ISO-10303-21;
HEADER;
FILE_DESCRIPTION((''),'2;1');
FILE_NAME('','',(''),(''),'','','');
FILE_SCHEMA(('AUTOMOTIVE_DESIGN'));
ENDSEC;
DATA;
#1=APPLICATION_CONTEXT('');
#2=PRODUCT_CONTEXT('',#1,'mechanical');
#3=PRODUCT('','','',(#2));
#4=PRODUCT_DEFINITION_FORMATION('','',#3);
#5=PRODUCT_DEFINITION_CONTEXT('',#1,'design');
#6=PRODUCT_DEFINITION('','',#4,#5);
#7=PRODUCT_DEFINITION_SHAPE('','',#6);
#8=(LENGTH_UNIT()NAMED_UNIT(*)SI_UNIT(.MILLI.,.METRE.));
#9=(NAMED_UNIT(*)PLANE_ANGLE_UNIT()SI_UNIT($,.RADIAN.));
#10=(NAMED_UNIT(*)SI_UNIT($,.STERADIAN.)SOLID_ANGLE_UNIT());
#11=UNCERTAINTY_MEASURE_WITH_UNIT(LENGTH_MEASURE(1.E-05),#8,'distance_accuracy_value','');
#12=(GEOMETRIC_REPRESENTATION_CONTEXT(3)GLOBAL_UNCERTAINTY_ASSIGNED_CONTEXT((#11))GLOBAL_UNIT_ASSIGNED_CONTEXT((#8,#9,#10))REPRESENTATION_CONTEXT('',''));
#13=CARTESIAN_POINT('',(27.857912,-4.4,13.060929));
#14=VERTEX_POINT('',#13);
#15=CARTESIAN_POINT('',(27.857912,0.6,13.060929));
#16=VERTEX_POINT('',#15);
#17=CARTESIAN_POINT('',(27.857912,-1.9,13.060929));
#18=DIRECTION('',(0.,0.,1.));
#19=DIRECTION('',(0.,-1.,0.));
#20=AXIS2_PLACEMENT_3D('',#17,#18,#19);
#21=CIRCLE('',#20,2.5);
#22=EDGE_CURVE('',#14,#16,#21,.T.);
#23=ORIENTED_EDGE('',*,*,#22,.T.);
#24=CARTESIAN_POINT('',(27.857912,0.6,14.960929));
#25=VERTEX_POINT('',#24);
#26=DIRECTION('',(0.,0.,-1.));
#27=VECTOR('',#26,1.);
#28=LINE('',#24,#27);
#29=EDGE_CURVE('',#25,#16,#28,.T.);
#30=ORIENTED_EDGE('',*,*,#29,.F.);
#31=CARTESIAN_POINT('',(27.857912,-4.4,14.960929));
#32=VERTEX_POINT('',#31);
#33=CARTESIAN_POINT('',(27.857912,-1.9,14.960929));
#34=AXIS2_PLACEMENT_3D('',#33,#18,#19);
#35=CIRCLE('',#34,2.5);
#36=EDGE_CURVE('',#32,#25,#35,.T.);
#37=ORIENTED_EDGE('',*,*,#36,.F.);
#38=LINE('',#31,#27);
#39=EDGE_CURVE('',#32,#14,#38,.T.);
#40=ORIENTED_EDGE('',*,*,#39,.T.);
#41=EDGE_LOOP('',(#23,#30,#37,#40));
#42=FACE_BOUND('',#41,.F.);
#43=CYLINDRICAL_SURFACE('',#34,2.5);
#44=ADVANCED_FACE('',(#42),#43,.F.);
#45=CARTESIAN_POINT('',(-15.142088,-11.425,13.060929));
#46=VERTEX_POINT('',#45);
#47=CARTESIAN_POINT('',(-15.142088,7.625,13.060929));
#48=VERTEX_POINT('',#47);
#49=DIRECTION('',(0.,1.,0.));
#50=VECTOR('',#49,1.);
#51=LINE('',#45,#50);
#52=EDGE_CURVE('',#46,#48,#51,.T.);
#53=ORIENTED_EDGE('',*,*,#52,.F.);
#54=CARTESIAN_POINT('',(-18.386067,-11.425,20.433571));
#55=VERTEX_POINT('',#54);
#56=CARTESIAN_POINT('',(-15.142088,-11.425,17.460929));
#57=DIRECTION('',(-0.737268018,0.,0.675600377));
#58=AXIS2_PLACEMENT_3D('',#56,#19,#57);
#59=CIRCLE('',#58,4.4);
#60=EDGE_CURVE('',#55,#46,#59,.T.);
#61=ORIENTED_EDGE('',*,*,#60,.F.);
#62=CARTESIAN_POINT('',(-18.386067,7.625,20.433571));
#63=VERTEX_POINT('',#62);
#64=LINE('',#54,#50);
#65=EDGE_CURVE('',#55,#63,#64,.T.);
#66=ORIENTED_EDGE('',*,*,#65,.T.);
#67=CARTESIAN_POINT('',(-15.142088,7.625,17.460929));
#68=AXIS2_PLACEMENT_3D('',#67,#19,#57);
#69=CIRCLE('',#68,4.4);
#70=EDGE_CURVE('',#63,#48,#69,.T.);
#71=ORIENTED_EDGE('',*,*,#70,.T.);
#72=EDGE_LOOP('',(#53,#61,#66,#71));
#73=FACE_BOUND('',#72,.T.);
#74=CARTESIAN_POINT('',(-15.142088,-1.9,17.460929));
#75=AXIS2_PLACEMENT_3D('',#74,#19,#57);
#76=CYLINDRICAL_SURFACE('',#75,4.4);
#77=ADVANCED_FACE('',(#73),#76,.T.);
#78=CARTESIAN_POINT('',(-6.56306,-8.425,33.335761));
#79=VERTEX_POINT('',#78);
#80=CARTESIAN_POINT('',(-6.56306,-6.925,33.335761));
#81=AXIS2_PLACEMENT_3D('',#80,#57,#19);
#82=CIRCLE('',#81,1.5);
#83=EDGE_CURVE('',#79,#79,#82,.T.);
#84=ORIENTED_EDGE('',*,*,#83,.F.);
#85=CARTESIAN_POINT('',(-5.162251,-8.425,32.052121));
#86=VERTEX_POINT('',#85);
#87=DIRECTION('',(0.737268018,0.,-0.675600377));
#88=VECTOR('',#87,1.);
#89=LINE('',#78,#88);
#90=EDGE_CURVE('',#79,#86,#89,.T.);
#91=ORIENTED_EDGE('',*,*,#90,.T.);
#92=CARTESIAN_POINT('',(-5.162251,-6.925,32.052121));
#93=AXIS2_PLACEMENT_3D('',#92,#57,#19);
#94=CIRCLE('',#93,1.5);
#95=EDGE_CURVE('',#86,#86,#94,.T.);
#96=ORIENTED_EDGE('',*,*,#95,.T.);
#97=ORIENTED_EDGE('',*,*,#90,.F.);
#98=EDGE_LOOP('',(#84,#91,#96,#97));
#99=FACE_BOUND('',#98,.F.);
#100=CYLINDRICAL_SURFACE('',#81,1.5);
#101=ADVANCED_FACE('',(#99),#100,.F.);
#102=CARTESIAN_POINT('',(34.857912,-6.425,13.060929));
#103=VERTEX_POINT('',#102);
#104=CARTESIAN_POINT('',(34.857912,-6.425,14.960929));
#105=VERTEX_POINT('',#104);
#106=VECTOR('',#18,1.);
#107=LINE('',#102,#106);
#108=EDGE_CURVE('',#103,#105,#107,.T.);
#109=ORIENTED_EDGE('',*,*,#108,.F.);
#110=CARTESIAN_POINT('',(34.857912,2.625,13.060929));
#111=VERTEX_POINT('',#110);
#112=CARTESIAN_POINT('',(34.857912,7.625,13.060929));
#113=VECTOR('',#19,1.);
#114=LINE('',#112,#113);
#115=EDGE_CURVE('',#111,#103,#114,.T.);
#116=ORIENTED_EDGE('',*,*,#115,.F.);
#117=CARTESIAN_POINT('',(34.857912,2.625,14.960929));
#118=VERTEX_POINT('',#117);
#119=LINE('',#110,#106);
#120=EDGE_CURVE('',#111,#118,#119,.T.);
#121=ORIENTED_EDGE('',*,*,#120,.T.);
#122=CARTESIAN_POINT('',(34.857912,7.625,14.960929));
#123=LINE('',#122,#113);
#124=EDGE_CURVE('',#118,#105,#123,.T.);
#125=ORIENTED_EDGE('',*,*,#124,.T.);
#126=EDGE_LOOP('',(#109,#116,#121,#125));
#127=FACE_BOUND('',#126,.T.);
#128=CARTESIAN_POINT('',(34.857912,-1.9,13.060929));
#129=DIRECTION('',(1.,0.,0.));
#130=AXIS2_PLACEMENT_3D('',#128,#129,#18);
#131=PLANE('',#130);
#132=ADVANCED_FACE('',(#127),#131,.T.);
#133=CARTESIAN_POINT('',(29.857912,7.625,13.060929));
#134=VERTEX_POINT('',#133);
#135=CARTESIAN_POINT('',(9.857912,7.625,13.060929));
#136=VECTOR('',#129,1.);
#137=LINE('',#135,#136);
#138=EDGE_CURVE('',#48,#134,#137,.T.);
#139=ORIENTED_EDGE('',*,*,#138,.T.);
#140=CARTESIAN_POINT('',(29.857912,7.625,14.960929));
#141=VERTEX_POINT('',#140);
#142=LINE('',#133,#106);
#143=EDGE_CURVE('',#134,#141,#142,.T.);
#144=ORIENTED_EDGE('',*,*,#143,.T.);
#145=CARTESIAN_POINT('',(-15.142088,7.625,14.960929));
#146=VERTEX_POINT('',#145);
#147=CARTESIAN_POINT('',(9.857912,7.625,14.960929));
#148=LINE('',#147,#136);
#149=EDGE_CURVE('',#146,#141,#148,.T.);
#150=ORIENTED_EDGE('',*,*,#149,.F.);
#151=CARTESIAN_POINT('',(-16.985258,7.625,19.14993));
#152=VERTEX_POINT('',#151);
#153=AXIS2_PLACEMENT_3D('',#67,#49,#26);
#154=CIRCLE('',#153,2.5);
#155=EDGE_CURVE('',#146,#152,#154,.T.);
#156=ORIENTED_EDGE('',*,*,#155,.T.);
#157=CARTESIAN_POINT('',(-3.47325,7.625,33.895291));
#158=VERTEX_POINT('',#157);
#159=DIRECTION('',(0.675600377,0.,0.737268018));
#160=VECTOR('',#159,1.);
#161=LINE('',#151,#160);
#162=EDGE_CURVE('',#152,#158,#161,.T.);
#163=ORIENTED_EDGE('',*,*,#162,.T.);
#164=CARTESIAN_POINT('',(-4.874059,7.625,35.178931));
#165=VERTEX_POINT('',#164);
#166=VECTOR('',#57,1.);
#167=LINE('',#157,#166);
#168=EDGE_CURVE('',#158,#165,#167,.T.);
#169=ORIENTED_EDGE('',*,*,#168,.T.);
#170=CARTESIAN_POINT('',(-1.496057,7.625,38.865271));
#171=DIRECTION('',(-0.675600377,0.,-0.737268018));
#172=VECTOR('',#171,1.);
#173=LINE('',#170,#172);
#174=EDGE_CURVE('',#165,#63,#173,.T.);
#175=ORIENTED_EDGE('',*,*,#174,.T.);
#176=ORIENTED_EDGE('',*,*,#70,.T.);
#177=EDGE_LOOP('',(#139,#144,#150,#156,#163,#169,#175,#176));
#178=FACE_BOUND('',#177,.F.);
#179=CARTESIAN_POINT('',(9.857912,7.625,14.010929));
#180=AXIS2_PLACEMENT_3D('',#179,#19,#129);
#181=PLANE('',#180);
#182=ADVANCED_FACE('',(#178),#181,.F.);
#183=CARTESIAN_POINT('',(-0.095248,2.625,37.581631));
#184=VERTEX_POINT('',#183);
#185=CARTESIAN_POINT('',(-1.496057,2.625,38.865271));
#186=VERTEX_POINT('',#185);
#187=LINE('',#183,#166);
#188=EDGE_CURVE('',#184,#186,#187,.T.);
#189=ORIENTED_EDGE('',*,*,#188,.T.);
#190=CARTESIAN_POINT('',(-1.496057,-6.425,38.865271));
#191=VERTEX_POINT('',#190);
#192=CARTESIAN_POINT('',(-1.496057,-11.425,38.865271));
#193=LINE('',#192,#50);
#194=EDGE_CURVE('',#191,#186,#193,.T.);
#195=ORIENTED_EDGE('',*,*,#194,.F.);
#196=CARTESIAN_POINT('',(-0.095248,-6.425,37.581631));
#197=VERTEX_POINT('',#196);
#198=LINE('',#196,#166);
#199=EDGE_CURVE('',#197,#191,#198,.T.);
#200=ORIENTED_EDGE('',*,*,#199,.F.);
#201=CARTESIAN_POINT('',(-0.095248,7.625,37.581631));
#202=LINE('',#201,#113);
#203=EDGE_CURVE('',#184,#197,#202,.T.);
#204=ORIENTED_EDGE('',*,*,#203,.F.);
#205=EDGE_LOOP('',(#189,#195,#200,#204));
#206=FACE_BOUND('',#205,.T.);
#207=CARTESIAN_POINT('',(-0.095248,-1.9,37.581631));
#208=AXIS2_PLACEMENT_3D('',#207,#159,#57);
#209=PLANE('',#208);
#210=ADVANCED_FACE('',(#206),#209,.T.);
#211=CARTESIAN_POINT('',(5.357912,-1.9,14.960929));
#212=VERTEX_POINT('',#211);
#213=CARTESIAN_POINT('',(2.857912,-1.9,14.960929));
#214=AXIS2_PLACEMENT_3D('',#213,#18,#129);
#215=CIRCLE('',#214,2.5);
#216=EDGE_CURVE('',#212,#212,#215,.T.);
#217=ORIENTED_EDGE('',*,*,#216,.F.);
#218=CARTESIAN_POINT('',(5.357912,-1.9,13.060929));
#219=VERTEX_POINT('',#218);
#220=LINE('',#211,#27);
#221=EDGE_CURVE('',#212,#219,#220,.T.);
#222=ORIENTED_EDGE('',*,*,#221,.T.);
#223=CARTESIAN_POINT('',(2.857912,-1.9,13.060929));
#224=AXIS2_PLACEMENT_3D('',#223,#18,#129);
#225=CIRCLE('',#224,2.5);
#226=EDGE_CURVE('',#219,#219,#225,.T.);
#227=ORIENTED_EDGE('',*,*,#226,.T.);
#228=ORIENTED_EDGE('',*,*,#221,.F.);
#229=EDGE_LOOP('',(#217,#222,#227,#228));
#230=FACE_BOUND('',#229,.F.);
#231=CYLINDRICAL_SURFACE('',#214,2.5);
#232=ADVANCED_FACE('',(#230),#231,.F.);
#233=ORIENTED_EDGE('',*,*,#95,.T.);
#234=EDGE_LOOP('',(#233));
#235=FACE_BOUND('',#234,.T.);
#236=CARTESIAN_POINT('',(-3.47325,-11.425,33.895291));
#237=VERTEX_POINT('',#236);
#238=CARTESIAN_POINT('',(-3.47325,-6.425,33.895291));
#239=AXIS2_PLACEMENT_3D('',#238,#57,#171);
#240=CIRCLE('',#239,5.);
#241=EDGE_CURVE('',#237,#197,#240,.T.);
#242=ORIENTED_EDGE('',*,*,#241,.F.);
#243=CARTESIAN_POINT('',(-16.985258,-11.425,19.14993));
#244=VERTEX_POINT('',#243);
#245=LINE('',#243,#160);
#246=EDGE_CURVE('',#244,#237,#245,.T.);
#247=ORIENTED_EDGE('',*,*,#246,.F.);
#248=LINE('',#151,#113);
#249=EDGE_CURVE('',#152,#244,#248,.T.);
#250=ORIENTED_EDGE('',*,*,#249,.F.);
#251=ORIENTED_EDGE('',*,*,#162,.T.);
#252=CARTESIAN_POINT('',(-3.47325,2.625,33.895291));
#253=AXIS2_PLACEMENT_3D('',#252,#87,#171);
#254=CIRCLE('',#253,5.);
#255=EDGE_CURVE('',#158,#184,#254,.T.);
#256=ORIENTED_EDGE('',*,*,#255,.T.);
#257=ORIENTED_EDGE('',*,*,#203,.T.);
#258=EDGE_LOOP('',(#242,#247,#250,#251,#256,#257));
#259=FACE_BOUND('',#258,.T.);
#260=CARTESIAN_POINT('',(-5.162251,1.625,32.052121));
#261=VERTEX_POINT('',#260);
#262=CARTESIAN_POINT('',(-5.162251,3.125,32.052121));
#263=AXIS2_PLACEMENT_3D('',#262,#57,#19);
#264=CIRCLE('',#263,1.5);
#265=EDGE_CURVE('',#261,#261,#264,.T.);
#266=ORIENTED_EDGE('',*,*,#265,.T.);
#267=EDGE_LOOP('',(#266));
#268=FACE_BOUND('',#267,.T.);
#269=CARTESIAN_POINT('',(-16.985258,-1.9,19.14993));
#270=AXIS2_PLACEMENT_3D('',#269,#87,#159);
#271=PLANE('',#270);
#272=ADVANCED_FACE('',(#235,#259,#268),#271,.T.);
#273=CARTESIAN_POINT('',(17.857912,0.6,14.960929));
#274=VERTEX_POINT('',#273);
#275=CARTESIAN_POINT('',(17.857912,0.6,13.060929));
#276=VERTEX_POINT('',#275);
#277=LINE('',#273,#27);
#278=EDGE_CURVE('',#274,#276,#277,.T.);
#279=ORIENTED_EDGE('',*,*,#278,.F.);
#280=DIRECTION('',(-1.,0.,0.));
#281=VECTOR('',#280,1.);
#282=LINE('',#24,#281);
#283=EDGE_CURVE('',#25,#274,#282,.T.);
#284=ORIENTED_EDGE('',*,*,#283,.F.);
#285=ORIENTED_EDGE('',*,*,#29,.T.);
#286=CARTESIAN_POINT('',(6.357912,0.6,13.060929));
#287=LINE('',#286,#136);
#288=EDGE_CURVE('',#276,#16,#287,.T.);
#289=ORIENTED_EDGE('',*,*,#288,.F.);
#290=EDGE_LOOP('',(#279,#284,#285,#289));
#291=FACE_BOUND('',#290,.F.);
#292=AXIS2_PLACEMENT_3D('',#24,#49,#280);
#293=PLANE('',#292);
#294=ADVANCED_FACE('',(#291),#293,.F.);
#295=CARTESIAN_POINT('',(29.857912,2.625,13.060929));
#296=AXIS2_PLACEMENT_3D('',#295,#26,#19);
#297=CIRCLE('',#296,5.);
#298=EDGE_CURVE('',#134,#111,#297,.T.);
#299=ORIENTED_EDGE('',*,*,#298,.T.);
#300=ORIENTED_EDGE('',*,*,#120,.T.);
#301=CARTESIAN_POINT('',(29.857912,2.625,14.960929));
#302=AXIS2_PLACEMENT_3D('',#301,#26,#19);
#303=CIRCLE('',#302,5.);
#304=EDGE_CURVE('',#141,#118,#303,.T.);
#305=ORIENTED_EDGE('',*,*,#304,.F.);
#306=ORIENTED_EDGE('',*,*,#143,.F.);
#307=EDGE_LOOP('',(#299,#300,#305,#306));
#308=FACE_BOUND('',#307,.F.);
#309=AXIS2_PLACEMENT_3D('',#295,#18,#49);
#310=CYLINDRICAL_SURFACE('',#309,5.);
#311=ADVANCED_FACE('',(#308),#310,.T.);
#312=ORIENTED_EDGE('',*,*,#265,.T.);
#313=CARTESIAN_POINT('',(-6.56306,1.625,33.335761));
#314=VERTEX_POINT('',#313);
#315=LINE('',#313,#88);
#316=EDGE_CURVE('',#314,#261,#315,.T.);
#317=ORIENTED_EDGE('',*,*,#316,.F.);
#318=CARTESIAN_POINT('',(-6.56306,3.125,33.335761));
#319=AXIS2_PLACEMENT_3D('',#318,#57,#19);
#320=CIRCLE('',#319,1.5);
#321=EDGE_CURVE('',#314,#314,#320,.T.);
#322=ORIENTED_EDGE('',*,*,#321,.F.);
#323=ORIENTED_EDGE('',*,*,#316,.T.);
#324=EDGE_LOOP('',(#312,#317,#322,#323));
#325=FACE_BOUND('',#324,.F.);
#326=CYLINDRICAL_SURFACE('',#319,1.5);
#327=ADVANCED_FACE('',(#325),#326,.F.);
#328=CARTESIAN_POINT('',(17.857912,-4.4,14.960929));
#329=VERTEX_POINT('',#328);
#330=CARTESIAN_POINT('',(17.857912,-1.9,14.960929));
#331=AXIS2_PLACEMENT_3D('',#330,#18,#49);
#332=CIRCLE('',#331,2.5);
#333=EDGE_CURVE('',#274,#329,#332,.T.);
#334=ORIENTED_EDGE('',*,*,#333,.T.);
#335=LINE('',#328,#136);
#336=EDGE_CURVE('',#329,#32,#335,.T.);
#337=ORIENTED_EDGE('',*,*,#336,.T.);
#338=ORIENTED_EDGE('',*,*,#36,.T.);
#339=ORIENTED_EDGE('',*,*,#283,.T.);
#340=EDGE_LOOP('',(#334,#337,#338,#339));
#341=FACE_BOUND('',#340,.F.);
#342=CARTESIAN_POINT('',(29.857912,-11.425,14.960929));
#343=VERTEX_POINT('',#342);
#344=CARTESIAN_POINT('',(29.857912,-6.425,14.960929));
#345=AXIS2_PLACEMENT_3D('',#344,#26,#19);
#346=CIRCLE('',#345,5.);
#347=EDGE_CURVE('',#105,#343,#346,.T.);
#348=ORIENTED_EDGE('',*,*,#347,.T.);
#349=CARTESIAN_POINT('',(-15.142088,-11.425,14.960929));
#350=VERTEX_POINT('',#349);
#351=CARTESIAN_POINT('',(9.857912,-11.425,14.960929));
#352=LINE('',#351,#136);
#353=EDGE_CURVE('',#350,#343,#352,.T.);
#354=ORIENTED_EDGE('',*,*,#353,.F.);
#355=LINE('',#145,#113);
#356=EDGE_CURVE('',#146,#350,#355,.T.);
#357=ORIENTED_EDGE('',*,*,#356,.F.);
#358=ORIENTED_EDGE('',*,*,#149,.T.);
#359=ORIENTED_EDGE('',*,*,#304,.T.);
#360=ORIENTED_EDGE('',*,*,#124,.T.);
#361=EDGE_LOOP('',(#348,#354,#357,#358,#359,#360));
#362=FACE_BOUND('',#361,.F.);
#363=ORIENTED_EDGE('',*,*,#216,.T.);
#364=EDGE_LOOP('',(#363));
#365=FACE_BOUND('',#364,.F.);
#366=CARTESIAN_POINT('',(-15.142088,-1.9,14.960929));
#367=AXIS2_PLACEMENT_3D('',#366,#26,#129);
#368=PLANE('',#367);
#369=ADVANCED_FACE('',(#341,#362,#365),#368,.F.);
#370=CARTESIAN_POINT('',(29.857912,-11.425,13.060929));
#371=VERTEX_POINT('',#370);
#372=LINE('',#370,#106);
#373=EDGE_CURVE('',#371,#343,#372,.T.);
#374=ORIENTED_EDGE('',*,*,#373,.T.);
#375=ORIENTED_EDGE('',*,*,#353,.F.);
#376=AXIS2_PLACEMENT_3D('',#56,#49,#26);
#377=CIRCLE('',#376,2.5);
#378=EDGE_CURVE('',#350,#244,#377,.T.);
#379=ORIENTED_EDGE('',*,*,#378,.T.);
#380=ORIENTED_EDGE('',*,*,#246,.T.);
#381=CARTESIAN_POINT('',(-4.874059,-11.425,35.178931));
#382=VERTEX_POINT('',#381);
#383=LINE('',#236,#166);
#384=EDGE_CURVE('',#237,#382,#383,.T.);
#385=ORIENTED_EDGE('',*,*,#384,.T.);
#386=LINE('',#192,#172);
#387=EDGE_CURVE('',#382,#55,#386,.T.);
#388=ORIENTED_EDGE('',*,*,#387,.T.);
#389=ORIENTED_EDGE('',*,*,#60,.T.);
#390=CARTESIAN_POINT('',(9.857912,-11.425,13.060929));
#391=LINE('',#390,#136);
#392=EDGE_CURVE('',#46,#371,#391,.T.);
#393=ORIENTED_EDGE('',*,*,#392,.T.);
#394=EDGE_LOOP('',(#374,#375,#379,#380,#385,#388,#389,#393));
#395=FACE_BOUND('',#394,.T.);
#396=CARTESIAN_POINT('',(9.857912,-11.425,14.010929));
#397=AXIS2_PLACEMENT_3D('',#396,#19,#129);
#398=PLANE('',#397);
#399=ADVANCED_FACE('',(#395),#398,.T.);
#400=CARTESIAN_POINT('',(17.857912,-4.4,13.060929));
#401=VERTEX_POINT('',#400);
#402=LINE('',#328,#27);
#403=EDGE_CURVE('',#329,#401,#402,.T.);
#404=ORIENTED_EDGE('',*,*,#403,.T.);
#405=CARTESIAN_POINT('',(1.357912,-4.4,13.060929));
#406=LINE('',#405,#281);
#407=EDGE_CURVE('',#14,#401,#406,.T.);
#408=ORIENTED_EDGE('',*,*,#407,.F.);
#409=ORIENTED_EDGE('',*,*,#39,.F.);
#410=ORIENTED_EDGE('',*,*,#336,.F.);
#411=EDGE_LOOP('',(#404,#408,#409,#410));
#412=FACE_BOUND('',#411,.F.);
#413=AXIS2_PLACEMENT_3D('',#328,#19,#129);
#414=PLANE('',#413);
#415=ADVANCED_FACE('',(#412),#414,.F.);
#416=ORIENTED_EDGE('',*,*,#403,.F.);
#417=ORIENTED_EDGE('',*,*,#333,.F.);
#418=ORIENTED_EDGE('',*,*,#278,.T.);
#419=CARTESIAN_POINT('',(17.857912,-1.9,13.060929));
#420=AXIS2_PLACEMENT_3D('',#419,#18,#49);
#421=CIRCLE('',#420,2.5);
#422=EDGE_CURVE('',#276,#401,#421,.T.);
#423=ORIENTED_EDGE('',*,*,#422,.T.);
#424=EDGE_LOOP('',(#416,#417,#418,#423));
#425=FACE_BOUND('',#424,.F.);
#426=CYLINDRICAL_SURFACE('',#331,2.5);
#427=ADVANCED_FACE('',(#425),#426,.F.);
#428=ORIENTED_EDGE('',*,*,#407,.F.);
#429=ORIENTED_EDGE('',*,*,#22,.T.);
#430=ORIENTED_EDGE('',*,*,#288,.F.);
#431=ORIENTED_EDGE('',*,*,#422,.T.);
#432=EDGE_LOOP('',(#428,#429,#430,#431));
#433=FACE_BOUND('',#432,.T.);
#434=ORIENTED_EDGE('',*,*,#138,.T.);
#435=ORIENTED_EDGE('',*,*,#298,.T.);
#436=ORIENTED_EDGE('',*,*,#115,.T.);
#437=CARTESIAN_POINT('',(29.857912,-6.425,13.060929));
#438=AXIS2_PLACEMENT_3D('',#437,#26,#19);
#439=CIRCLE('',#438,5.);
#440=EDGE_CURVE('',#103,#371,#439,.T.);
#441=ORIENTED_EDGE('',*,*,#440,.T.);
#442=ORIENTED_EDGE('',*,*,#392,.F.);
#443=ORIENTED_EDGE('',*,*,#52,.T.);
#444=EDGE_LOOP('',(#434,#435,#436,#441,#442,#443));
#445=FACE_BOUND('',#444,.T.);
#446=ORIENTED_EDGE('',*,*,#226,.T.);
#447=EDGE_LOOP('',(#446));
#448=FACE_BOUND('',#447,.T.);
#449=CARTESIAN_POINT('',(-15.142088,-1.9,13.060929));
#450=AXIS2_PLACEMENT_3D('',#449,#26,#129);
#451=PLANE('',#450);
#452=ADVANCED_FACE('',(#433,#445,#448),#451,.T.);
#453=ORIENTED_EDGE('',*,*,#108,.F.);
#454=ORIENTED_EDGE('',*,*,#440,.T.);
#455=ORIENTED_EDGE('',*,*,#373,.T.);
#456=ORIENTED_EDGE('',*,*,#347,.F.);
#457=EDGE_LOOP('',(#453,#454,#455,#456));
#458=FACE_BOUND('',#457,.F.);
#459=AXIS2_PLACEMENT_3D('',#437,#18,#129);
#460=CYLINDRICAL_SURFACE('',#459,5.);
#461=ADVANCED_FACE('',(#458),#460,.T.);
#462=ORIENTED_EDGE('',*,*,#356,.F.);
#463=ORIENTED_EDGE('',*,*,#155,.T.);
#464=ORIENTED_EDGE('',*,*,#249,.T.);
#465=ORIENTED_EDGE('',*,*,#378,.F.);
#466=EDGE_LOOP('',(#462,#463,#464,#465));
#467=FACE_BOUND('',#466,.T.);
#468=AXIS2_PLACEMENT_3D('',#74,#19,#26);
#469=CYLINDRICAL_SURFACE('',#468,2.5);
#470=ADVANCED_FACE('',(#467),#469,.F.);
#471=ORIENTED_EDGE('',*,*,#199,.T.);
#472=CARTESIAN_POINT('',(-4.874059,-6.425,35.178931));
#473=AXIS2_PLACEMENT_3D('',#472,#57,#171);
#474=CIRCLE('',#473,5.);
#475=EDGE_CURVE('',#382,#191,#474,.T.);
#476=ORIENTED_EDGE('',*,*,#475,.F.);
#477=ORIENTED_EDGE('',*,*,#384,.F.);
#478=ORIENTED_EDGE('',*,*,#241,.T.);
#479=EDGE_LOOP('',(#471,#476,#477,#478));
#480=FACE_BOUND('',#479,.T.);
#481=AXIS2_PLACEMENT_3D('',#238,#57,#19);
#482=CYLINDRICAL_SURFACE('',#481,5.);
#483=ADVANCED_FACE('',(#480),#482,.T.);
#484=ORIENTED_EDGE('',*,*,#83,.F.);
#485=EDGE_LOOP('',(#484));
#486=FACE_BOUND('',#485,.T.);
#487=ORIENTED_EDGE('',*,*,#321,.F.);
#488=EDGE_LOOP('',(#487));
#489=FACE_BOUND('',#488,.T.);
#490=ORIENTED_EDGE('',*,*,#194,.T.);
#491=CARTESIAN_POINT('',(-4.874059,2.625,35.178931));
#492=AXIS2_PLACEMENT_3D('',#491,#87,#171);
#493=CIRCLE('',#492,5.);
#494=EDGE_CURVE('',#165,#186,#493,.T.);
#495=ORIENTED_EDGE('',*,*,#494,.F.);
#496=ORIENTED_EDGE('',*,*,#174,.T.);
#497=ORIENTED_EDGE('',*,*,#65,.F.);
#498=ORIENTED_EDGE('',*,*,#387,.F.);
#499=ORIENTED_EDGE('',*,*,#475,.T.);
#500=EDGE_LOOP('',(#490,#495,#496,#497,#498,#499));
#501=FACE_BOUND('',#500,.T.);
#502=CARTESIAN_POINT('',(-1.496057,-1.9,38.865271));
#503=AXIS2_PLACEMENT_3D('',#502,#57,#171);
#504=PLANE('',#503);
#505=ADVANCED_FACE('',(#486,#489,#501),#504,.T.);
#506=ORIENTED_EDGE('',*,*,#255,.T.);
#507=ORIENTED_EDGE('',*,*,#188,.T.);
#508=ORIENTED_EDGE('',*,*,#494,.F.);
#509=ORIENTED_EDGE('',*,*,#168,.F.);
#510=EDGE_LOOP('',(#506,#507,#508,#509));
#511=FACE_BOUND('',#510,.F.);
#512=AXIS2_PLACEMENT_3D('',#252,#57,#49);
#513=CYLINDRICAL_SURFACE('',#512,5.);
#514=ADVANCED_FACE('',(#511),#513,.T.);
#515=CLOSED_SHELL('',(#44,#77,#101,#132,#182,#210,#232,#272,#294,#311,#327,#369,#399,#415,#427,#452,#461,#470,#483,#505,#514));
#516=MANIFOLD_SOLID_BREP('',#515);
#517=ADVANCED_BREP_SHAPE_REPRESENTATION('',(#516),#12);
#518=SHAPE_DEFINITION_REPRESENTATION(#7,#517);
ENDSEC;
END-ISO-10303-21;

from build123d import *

# Parameters (mm, degrees)
F0_W     = 50
F0_H     = 1.9
F1_DEPTH = 1.9
F2_DEPTH = 9.525
F3_R     = 2.5
F4_DEPTH = 1.901
F5_R     = 1.5
F6_DEPTH = 25
F7_R     = 5


with BuildPart() as f1:
    # F0 (on Front) → F1 (new body)
    with BuildSketch(Plane.XZ):
        with Locations((9.8579123784, 14.0109292623)):
            Rectangle(F0_W, F0_H)
        with BuildLine():
            ThreePointArc((-18.3860669017, 20.4335709209), (-19.169470351, 15.6888716021), (-15.1420876216, 13.0609292623))
            Line((-15.1420876216, 13.0609292623), (-15.1420876216, 14.9609292623))
            ThreePointArc((-15.1420876216, 14.9609292623), (-17.4303732633, 16.454078319), (-16.9852576671, 19.1499302047))
            Line((-16.9852576671, 19.1499302047), (-18.3860669017, 20.4335709209))
        make_face()
        Polygon((-1.496057478, 38.865271376), (-18.3860669017, 20.4335709209), (-16.9852576671, 19.1499302047), (-0.0952482434, 37.5816306598), align=None)
    extrude(amount=F1_DEPTH)

    # F2 (add, symmetric): a face of the model
    f2_faces = [f1.faces().sort_by_distance(p)[0] for p in [
        (34.2558140416, -1.9, 14.0109292623),
    ]]
    extrude(f2_faces, amount=F2_DEPTH, both=True)

    # F3 (on face) → F4 (cut, through all)
    with BuildSketch(Plane.XY.offset(14.9609292623)):
        with BuildLine():
            Line((27.8579123784, 0.6), (17.8579123784, 0.6))
            ThreePointArc((17.8579123784, 0.6), (15.3579123784, -1.9), (17.8579123784, -4.4))
            Line((17.8579123784, -4.4), (27.8579123784, -4.4))
            ThreePointArc((27.8579123784, -4.4), (30.3579123784, -1.9), (27.8579123784, 0.6))
        make_face()
        with Locations((2.8579123784, -1.9)):
            Circle(F3_R)
    extrude(amount=-F4_DEPTH, mode=Mode.SUBTRACT)

    # F5 (on face) → F6 (cut)
    with BuildSketch(Plane(origin=(-20.1719385395, 0, 18.4846879894), x_dir=(0, -1, 0), z_dir=(-0.7372680182, 0, 0.6756003769))):
        with Locations((6.925, 20.1433846083)):
            Circle(F5_R)
        with Locations((-3.125, 20.1433846083)):
            Circle(F5_R)
    extrude(amount=-F6_DEPTH, mode=Mode.SUBTRACT)

    # F7
    f7_edges = [f1.edges().sort_by_distance(p)[0] for p in [
        (-0.795653, -11.425, 38.223451),
        (-0.795653, 7.625, 38.223451),
        (34.857912, 7.625, 14.010929),
        (34.857912, -11.425, 14.010929),
    ]]
    fillet(f7_edges, radius=F7_R)


solid = f1.part
